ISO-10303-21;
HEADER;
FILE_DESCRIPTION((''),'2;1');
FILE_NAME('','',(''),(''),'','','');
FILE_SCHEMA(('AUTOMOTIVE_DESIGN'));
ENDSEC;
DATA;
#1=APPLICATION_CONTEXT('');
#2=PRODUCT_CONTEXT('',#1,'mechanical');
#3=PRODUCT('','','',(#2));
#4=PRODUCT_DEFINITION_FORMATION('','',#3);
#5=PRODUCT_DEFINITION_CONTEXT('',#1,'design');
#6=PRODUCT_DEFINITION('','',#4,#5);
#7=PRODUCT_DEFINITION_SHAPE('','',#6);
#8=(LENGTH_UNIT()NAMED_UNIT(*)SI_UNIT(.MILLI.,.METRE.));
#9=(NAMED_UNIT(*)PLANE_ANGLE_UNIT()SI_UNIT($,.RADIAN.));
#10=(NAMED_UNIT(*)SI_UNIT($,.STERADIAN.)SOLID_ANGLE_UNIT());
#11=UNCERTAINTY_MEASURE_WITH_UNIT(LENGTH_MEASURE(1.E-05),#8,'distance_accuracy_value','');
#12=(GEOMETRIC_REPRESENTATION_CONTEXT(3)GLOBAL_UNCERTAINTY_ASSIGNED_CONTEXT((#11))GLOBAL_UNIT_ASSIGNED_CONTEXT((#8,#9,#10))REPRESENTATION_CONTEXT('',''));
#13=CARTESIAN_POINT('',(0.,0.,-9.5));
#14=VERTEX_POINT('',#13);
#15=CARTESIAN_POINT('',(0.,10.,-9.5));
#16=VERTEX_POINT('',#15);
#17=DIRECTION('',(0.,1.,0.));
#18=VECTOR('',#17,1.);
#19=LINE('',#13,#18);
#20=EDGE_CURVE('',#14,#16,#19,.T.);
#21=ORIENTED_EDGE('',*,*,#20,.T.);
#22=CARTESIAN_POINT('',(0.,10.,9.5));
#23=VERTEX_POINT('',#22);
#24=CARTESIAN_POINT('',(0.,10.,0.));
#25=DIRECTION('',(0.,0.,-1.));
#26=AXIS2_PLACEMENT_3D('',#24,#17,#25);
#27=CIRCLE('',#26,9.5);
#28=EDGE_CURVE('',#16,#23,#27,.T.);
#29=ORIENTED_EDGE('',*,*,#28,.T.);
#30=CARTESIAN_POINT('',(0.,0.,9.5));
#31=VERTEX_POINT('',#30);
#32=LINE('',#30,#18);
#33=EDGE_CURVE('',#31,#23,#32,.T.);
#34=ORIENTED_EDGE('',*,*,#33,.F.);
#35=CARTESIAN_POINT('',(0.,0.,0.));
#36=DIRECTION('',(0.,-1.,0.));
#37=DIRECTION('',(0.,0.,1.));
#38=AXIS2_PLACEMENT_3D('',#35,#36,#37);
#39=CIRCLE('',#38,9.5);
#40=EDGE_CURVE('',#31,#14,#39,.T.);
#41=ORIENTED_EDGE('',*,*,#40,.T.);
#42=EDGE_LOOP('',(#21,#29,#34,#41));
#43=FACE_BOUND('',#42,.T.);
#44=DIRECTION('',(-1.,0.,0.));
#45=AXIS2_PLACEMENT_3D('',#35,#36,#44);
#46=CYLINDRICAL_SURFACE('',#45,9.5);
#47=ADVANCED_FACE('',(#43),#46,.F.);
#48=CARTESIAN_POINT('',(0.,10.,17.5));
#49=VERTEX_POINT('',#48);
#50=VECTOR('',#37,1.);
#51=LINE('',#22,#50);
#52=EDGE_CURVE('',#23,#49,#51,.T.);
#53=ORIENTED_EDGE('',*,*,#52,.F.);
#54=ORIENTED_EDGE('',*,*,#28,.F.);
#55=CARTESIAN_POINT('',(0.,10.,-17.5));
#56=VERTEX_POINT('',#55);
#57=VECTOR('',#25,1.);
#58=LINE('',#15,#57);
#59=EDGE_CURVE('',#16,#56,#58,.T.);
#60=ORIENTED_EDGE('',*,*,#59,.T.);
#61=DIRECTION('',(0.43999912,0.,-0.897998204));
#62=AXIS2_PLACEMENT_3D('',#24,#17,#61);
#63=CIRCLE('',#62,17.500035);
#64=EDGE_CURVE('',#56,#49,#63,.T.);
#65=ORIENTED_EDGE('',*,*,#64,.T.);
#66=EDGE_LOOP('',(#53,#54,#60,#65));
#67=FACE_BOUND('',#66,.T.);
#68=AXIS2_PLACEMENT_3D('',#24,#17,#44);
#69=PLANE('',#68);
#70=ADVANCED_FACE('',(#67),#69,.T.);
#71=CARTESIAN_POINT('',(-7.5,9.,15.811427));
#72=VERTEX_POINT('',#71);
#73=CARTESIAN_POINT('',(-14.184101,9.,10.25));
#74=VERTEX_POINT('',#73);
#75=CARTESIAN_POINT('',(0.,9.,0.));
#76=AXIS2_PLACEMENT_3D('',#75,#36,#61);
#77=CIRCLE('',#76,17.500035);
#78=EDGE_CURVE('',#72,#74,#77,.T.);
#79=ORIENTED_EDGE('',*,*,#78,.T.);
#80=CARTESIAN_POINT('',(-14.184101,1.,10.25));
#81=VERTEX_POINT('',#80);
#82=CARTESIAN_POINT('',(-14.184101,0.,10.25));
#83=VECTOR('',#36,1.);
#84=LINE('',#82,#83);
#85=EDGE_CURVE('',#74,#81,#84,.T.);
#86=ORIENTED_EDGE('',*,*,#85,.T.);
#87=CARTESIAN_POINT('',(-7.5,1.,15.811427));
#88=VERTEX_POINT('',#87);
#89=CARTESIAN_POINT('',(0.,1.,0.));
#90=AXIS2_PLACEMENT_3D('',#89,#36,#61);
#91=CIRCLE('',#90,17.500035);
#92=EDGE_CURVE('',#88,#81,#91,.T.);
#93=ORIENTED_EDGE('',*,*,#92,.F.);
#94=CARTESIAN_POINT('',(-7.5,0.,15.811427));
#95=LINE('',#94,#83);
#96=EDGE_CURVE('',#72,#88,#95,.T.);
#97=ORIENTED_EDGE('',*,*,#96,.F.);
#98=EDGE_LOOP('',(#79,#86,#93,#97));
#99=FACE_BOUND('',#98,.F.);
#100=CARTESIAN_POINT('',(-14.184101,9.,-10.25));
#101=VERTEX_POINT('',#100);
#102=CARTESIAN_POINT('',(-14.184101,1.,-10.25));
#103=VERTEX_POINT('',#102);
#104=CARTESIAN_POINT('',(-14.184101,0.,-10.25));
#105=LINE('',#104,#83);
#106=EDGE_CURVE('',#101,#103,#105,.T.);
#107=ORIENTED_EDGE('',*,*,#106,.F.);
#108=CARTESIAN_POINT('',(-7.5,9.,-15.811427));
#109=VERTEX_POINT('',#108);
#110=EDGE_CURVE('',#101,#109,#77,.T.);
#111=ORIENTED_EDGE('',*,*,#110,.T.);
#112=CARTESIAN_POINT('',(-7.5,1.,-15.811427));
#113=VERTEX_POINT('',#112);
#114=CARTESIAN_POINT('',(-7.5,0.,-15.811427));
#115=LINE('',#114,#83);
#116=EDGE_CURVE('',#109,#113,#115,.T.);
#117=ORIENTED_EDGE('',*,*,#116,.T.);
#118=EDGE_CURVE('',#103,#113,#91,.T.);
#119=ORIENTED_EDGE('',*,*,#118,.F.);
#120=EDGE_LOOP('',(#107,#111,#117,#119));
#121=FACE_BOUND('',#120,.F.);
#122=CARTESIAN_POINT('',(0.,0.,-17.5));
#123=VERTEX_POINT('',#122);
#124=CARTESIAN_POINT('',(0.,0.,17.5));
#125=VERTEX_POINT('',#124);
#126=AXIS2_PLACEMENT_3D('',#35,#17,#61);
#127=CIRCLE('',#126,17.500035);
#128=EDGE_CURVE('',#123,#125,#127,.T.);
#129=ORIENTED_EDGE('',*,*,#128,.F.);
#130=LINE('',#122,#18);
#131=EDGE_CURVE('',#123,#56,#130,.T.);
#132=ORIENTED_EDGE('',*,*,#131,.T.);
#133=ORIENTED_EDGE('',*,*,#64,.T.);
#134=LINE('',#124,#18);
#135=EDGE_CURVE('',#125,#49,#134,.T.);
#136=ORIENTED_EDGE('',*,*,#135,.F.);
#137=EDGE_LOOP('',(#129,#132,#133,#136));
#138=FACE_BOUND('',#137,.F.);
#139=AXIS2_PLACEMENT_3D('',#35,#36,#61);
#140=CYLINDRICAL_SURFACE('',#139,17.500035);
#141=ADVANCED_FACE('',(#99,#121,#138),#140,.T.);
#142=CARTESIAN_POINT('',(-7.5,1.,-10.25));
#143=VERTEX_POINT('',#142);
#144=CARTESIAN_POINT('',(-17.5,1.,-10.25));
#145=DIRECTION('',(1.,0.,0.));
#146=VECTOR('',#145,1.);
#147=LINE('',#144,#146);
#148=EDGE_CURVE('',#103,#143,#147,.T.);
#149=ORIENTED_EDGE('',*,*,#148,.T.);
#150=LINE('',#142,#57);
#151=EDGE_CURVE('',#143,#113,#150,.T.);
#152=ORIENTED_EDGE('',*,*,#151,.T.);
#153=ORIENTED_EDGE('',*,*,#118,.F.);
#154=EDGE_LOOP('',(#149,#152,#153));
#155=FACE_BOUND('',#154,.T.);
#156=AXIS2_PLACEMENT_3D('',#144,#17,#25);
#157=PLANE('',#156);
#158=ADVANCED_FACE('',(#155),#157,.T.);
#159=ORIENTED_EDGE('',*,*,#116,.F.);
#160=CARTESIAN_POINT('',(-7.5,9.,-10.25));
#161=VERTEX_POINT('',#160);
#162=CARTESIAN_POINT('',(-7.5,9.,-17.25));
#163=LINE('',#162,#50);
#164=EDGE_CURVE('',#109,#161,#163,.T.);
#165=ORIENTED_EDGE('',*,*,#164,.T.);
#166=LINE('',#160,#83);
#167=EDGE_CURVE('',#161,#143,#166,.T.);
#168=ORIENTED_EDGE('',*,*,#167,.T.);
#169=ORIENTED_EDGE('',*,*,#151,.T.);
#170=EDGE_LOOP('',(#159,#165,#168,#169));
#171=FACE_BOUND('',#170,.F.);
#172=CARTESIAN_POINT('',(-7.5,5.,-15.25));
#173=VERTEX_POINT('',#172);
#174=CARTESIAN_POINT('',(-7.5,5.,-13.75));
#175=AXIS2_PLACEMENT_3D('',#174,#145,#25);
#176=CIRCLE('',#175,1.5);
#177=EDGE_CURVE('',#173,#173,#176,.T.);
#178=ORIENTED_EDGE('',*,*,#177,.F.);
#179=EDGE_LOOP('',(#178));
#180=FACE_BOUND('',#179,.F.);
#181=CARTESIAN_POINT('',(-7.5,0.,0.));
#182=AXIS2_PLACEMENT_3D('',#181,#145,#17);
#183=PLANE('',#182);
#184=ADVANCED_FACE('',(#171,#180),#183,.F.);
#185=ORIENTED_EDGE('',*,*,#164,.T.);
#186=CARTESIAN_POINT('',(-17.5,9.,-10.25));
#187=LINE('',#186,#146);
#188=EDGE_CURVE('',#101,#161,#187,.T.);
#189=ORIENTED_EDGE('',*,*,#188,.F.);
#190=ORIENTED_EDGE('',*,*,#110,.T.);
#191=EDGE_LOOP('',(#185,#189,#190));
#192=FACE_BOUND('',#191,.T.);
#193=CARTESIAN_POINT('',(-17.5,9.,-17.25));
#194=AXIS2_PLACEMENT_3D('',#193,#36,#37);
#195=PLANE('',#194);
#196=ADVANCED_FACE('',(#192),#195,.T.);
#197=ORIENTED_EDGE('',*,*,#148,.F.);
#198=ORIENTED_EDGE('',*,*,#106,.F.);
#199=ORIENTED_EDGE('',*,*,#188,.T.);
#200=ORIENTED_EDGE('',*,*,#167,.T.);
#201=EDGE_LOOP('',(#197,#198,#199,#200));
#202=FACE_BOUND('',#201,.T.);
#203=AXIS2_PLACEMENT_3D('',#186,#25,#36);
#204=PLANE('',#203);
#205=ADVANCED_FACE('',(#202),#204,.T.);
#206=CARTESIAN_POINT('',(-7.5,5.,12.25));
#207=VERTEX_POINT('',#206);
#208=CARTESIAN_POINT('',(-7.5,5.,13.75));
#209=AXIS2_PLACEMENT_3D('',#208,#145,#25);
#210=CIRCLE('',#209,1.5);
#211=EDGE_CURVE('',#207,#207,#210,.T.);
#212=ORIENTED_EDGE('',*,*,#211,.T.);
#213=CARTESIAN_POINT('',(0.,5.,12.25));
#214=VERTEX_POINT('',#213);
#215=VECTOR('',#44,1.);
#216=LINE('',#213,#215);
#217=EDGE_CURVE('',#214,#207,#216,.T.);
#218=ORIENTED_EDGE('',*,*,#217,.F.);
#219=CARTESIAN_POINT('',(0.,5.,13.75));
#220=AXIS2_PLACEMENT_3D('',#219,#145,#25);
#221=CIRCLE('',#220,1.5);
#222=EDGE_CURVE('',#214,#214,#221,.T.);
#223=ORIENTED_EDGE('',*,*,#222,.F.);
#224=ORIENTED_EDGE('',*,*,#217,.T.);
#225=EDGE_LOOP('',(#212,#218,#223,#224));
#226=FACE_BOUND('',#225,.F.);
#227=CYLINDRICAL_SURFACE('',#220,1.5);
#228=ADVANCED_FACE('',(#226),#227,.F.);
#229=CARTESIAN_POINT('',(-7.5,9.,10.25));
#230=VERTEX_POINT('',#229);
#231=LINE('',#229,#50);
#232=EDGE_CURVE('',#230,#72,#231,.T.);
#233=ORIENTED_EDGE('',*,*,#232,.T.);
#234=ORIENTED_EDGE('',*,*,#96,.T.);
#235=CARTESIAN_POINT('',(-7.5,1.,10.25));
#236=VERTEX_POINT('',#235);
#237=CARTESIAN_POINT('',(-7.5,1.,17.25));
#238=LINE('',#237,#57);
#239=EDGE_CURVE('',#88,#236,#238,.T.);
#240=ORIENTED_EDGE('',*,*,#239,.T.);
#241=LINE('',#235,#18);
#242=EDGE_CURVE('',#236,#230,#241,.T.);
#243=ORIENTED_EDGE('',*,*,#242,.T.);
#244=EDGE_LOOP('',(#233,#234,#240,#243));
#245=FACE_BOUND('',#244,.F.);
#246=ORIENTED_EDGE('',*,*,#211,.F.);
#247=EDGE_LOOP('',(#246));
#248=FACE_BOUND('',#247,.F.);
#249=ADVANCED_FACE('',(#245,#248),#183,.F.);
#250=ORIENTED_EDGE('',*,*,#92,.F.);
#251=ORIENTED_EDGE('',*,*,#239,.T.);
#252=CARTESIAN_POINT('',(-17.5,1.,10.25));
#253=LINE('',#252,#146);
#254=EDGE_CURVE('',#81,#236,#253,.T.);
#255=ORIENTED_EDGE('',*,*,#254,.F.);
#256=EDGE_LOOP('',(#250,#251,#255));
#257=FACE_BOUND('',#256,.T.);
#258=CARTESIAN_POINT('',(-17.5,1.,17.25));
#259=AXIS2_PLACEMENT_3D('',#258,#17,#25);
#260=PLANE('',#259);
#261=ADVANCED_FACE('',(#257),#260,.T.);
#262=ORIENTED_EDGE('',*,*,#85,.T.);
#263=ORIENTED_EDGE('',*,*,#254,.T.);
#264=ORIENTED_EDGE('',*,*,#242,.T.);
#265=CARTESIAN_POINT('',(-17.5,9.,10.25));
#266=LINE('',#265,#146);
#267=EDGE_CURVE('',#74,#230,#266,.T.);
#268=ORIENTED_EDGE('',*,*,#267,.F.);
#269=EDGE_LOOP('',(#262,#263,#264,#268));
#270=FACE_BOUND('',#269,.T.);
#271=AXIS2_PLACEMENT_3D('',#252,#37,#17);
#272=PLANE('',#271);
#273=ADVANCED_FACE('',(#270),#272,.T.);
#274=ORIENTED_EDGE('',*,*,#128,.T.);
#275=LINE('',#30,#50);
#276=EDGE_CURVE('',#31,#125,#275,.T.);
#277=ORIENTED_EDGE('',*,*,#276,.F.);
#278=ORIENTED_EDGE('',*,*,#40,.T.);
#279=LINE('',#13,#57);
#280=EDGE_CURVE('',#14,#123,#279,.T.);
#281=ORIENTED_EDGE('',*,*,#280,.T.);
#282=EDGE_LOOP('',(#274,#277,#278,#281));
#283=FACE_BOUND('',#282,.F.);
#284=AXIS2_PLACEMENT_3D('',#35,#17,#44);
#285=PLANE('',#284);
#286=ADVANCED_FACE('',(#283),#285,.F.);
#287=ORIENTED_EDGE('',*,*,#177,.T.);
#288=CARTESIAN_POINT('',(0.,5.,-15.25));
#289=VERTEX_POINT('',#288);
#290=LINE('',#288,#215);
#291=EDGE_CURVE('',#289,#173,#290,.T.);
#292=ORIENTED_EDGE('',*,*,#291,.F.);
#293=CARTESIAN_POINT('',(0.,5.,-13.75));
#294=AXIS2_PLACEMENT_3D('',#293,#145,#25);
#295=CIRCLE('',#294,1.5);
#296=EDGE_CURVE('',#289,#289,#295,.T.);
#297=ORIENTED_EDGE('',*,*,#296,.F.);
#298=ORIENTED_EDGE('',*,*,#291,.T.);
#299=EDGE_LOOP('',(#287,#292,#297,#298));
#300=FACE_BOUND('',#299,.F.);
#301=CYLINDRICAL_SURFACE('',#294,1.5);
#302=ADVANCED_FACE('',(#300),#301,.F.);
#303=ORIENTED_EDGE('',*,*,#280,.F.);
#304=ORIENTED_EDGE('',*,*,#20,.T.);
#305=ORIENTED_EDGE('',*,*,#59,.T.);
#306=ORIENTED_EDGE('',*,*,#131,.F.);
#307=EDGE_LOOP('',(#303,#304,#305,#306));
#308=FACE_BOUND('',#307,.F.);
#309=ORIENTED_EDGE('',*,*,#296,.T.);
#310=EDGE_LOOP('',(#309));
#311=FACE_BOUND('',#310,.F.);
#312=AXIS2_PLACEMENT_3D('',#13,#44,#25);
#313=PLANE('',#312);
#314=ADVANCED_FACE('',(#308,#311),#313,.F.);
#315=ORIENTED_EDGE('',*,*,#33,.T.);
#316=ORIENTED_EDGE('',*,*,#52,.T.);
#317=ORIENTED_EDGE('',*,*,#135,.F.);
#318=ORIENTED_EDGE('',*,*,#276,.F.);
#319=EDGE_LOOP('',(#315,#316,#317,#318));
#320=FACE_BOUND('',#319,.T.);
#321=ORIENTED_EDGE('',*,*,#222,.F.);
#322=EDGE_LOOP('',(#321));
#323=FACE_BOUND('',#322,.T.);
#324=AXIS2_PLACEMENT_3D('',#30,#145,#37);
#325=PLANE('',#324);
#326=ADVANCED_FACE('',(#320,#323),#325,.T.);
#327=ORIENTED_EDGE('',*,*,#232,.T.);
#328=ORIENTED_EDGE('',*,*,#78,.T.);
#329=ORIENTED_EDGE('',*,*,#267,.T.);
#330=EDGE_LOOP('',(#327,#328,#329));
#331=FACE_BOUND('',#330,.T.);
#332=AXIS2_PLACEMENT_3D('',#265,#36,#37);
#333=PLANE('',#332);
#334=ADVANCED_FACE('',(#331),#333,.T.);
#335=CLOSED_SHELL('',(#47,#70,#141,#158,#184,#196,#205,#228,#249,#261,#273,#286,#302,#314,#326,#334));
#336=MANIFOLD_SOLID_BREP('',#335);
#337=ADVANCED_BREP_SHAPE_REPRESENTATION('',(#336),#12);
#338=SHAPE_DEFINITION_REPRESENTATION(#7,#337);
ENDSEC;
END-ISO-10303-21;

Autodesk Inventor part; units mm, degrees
ref_plane "YZ Plane" through (0, 0, 0) normal (1, 0, 0) x (0, 1, 0)
ref_plane "XZ Plane" through (0, 0, 0) normal (0, 1, 0) x (-1, 0, 0)
sketch "Эскиз1" plane through (0, 0, 0) normal (0, 1, 0) x (-1, 0, 0)
  circle A0 centre (0, 0) radius 9.5
  line L0 (0, -9.5) -> (0, -17.5)
  arc A1 (-7.7, -15.715) -> (-7.7, 15.715) centre (0, 0) ccw
  line L1 (0, 9.5) -> (0, 17.5)
  point P0 (0, -10)
extrude "Выдавливание1" add sketch "Эскиз1" along normal blind 10 contours A0 L1 A1 L0
sketch "Эскиз2" plane through (0, 0, 17.5) normal (1, 0, 0) x (0, 0, -1)
  circle A0 centre (3.75, 5) radius 1.5 projected
  circle A1 centre (31.25, 5) radius 1.5 projected
  point P0 (17.5, 0)
extrude "Выдавливание2" cut sketch "Эскиз2" against normal through all
ref_plane "РабПлоскость1" through (-17.5, 0, 0) normal (1, 0, 0) x (0, 1, 0)
sketch "Эскиз3" plane through (-17.5, 0, 0) normal (1, 0, 0) x (0, 1, 0)
  line L0 (1, -17.25) -> (9, -17.25)
  line L1 (9, -17.25) -> (9, -10.25)
  line L2 (9, -10.25) -> (1, -10.25)
  line L3 (1, -10.25) -> (1, -17.25)
  circle A0 centre (5, -13.75) radius 1.5 projected
  line L4 (1, -17.25) -> (9, -10.25) construction
  line L5 (9, -17.25) -> (1, -10.25) construction
  line L6 (1, 10.25) -> (9, 10.25)
  line L7 (9, 10.25) -> (9, 17.25)
  line L8 (9, 17.25) -> (1, 17.25)
  line L9 (1, 17.25) -> (1, 10.25)
  circle A1 centre (5, 13.75) radius 1.5 projected
  line L10 (1, 10.25) -> (9, 17.25) construction
  line L11 (9, 10.25) -> (1, 17.25) construction
  point P0 (0, 0)
  dimension "d4" = 8
  dimension "d5" = 7
  dimension "d6" = 8
  dimension "d7" = 7
extrude "Выдавливание3" cut sketch "Эскиз3" along normal blind 10 contours L3 L2 L1 L0 | A0 | L9 L8 L7 L6 | A1
equation "\"d6\" = d4"
equation "\"d7\" = d5"
properties part number "000.402 - Зажим подшипника" material "Пластик АБС"
